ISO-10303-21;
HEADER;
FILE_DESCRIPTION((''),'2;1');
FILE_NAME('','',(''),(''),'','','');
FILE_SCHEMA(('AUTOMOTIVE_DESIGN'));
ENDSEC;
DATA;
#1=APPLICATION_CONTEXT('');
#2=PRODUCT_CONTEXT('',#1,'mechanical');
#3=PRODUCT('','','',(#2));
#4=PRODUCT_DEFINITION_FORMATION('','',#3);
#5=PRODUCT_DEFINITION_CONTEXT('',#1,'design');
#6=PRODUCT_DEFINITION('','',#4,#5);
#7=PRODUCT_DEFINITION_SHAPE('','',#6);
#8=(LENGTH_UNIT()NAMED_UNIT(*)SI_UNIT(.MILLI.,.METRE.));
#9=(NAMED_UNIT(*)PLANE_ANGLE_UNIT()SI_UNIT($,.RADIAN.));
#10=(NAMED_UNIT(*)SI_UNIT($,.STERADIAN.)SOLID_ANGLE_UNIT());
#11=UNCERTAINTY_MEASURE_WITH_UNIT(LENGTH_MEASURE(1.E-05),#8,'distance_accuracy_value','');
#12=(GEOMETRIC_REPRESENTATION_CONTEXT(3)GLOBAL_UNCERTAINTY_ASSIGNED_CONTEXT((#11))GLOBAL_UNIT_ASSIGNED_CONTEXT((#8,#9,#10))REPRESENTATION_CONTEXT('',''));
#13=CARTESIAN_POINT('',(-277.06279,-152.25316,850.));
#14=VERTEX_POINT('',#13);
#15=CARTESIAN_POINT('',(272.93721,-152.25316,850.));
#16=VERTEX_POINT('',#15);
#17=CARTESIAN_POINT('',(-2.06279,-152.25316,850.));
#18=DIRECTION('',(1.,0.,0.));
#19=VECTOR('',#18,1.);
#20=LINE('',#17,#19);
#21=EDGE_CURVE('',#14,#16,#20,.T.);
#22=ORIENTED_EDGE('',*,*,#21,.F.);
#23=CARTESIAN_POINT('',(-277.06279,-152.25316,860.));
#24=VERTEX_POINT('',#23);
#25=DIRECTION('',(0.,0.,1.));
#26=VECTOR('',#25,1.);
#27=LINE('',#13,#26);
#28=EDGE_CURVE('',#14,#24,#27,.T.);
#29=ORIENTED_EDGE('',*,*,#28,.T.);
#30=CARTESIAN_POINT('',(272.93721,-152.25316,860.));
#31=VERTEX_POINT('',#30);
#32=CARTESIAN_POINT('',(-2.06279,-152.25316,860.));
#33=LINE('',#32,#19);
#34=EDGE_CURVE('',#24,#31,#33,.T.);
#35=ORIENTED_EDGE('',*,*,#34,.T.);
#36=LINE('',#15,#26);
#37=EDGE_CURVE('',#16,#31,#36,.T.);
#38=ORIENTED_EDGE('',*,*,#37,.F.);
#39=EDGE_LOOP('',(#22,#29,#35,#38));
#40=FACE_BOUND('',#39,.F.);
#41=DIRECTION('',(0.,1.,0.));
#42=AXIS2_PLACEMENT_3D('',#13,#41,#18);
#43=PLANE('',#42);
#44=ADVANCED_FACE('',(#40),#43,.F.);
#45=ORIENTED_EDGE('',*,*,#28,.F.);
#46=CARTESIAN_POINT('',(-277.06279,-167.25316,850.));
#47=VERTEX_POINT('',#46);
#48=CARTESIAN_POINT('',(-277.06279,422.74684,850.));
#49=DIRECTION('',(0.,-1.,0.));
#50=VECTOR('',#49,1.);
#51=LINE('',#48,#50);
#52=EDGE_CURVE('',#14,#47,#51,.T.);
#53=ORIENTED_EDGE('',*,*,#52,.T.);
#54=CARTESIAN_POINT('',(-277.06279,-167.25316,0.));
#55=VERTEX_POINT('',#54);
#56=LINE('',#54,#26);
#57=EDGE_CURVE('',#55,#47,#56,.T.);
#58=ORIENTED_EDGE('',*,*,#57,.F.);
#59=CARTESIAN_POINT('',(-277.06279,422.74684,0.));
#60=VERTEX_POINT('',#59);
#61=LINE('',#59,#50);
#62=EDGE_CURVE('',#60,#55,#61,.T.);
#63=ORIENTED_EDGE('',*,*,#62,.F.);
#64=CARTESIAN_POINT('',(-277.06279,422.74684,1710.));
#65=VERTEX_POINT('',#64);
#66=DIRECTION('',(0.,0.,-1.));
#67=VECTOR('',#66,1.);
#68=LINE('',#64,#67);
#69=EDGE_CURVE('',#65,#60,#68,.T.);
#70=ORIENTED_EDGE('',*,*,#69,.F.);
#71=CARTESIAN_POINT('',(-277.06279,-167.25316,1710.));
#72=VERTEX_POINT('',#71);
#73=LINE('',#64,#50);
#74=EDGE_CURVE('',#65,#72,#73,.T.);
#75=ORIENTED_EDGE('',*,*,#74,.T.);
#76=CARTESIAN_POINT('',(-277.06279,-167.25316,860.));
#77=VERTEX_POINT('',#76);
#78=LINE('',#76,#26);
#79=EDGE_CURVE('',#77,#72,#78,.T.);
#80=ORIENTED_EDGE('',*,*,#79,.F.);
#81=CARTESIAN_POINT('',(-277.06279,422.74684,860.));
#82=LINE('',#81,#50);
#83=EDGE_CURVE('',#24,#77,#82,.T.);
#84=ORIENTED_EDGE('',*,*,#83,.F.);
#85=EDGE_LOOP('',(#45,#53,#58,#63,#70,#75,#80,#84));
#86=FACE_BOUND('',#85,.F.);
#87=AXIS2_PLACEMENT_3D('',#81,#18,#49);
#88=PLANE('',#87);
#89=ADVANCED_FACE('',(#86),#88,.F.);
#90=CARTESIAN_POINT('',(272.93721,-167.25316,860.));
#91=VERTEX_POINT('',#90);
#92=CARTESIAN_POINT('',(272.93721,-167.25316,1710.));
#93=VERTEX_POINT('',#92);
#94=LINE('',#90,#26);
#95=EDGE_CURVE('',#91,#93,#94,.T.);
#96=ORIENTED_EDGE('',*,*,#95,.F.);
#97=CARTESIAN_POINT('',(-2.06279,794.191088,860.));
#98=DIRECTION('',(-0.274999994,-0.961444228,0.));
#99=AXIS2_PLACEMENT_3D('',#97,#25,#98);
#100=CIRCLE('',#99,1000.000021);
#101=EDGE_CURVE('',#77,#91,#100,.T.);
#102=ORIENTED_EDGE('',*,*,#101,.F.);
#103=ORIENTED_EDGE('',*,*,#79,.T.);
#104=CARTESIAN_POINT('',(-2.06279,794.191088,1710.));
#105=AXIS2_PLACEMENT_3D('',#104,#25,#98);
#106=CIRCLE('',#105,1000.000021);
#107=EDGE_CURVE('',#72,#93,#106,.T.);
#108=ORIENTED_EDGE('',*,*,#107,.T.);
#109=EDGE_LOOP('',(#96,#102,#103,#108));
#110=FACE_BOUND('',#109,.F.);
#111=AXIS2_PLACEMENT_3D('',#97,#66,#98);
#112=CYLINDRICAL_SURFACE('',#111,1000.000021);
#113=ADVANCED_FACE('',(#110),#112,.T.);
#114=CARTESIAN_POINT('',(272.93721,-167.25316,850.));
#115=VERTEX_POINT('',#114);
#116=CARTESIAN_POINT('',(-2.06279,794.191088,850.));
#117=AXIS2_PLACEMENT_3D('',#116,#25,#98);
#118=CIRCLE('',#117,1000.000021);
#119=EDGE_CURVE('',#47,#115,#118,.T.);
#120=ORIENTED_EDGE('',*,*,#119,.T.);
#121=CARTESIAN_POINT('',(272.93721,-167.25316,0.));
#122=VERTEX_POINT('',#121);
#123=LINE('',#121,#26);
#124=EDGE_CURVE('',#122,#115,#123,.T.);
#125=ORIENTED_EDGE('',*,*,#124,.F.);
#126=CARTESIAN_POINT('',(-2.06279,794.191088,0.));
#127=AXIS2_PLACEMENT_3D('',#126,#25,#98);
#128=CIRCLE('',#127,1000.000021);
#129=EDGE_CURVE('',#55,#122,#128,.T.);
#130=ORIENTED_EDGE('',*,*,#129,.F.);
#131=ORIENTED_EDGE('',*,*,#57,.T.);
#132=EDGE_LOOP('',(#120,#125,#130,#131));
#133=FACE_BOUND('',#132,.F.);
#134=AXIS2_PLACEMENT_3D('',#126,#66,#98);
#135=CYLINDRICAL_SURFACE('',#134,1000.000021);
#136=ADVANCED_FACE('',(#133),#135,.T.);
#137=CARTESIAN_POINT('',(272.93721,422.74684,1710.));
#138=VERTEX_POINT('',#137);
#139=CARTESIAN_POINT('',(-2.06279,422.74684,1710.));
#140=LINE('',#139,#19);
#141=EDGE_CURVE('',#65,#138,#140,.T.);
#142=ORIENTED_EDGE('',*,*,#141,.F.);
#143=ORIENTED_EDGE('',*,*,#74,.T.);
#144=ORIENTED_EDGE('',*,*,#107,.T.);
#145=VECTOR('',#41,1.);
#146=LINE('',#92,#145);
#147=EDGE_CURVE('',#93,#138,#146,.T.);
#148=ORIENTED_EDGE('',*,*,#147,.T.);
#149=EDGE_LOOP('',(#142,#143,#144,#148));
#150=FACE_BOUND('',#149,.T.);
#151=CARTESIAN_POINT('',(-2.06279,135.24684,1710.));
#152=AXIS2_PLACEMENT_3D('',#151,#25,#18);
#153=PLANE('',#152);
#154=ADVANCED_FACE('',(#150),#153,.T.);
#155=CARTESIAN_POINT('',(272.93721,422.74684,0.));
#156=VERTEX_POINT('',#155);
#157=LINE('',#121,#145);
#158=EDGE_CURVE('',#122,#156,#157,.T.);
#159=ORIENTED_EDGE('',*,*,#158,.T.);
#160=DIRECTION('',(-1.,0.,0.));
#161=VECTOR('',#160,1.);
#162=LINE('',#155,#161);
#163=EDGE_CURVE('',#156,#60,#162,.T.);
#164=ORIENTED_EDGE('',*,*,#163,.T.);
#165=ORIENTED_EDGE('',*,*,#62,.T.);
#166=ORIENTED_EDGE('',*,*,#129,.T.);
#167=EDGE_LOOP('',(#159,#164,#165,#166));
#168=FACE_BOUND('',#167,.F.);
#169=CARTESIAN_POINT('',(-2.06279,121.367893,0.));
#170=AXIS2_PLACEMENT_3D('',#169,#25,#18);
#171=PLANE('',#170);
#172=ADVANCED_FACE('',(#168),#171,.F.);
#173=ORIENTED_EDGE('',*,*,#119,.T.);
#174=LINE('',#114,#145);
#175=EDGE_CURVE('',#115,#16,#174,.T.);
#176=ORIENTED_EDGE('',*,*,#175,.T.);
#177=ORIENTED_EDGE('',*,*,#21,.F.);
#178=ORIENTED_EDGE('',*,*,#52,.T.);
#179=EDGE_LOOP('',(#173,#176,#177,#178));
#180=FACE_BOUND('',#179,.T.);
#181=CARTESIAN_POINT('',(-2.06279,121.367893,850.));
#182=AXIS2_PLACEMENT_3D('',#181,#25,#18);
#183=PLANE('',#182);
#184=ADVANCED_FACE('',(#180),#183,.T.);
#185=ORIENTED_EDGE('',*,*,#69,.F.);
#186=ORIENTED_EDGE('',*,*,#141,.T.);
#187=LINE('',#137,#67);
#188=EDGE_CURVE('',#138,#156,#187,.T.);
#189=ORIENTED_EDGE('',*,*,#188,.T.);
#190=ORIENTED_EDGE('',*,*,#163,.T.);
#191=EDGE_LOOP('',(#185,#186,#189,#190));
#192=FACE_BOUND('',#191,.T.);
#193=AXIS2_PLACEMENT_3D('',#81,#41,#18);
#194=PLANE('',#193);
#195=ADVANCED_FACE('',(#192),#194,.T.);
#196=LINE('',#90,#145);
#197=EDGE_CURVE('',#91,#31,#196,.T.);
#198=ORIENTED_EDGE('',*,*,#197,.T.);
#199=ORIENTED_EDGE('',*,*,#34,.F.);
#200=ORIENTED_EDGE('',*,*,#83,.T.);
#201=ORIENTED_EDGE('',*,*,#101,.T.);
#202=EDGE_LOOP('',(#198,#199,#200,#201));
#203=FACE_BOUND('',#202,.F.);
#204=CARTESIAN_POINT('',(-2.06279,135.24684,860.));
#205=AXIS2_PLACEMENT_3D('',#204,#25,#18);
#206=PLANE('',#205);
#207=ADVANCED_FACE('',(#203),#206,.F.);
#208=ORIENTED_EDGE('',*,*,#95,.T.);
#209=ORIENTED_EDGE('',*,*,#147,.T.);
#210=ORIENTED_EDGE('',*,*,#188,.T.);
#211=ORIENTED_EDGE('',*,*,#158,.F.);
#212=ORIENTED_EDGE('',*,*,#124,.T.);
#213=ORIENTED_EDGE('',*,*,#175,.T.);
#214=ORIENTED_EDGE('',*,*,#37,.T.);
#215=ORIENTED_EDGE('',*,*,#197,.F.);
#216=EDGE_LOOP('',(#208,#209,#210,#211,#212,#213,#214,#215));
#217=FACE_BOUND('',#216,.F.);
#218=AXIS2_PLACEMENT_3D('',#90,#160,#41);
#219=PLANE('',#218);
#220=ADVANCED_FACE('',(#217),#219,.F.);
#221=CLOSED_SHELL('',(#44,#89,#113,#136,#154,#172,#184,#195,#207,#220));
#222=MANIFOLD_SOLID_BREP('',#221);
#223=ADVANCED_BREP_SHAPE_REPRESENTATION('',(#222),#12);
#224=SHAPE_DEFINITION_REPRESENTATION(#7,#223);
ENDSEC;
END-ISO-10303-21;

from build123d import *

# Parameters (mm, degrees)
F1_DEPTH = 850
F2_W     = 550
F2_H     = 575
F3_DEPTH = 10
F4_W     = 550
F4_H     = 575
F5_DEPTH = 850


with BuildPart() as f1:
    # F0 (on Top) → F1 (new body)
    with BuildSketch(Plane.XY):
        with BuildLine():
            Line((-277.06279, 422.74684), (-277.06279, -167.25316))
            ThreePointArc((-277.06279, -167.25316), (-2.06279, -205.808933), (272.93721, -167.25316))
            Line((272.93721, -167.25316), (272.93721, 422.74684))
            Line((272.93721, 422.74684), (-277.06279, 422.74684))
        make_face()
    extrude(amount=F1_DEPTH)

    # F2 (on face) → F3 (join)
    with BuildSketch(Plane.XY.offset(850)):
        with Locations((-2.06279, 135.24684)):
            Rectangle(F2_W, F2_H)
    extrude(amount=F3_DEPTH)

    # F4 (on face) → F5 (join)
    with BuildSketch(Plane.XY.offset(860)):
        with Locations((-2.06279, 135.24684)):
            Rectangle(F4_W, F4_H)
        with BuildLine():
            Line((272.93721, -152.25316), (-277.06279, -152.25316))
            Line((-277.06279, -152.25316), (-277.06279, -167.25316))
            ThreePointArc((-277.06279, -167.25316), (-2.06279, -205.808933), (272.93721, -167.25316))
            Line((272.93721, -167.25316), (272.93721, -152.25316))
        make_face()
    extrude(amount=F5_DEPTH)


solid = f1.part
